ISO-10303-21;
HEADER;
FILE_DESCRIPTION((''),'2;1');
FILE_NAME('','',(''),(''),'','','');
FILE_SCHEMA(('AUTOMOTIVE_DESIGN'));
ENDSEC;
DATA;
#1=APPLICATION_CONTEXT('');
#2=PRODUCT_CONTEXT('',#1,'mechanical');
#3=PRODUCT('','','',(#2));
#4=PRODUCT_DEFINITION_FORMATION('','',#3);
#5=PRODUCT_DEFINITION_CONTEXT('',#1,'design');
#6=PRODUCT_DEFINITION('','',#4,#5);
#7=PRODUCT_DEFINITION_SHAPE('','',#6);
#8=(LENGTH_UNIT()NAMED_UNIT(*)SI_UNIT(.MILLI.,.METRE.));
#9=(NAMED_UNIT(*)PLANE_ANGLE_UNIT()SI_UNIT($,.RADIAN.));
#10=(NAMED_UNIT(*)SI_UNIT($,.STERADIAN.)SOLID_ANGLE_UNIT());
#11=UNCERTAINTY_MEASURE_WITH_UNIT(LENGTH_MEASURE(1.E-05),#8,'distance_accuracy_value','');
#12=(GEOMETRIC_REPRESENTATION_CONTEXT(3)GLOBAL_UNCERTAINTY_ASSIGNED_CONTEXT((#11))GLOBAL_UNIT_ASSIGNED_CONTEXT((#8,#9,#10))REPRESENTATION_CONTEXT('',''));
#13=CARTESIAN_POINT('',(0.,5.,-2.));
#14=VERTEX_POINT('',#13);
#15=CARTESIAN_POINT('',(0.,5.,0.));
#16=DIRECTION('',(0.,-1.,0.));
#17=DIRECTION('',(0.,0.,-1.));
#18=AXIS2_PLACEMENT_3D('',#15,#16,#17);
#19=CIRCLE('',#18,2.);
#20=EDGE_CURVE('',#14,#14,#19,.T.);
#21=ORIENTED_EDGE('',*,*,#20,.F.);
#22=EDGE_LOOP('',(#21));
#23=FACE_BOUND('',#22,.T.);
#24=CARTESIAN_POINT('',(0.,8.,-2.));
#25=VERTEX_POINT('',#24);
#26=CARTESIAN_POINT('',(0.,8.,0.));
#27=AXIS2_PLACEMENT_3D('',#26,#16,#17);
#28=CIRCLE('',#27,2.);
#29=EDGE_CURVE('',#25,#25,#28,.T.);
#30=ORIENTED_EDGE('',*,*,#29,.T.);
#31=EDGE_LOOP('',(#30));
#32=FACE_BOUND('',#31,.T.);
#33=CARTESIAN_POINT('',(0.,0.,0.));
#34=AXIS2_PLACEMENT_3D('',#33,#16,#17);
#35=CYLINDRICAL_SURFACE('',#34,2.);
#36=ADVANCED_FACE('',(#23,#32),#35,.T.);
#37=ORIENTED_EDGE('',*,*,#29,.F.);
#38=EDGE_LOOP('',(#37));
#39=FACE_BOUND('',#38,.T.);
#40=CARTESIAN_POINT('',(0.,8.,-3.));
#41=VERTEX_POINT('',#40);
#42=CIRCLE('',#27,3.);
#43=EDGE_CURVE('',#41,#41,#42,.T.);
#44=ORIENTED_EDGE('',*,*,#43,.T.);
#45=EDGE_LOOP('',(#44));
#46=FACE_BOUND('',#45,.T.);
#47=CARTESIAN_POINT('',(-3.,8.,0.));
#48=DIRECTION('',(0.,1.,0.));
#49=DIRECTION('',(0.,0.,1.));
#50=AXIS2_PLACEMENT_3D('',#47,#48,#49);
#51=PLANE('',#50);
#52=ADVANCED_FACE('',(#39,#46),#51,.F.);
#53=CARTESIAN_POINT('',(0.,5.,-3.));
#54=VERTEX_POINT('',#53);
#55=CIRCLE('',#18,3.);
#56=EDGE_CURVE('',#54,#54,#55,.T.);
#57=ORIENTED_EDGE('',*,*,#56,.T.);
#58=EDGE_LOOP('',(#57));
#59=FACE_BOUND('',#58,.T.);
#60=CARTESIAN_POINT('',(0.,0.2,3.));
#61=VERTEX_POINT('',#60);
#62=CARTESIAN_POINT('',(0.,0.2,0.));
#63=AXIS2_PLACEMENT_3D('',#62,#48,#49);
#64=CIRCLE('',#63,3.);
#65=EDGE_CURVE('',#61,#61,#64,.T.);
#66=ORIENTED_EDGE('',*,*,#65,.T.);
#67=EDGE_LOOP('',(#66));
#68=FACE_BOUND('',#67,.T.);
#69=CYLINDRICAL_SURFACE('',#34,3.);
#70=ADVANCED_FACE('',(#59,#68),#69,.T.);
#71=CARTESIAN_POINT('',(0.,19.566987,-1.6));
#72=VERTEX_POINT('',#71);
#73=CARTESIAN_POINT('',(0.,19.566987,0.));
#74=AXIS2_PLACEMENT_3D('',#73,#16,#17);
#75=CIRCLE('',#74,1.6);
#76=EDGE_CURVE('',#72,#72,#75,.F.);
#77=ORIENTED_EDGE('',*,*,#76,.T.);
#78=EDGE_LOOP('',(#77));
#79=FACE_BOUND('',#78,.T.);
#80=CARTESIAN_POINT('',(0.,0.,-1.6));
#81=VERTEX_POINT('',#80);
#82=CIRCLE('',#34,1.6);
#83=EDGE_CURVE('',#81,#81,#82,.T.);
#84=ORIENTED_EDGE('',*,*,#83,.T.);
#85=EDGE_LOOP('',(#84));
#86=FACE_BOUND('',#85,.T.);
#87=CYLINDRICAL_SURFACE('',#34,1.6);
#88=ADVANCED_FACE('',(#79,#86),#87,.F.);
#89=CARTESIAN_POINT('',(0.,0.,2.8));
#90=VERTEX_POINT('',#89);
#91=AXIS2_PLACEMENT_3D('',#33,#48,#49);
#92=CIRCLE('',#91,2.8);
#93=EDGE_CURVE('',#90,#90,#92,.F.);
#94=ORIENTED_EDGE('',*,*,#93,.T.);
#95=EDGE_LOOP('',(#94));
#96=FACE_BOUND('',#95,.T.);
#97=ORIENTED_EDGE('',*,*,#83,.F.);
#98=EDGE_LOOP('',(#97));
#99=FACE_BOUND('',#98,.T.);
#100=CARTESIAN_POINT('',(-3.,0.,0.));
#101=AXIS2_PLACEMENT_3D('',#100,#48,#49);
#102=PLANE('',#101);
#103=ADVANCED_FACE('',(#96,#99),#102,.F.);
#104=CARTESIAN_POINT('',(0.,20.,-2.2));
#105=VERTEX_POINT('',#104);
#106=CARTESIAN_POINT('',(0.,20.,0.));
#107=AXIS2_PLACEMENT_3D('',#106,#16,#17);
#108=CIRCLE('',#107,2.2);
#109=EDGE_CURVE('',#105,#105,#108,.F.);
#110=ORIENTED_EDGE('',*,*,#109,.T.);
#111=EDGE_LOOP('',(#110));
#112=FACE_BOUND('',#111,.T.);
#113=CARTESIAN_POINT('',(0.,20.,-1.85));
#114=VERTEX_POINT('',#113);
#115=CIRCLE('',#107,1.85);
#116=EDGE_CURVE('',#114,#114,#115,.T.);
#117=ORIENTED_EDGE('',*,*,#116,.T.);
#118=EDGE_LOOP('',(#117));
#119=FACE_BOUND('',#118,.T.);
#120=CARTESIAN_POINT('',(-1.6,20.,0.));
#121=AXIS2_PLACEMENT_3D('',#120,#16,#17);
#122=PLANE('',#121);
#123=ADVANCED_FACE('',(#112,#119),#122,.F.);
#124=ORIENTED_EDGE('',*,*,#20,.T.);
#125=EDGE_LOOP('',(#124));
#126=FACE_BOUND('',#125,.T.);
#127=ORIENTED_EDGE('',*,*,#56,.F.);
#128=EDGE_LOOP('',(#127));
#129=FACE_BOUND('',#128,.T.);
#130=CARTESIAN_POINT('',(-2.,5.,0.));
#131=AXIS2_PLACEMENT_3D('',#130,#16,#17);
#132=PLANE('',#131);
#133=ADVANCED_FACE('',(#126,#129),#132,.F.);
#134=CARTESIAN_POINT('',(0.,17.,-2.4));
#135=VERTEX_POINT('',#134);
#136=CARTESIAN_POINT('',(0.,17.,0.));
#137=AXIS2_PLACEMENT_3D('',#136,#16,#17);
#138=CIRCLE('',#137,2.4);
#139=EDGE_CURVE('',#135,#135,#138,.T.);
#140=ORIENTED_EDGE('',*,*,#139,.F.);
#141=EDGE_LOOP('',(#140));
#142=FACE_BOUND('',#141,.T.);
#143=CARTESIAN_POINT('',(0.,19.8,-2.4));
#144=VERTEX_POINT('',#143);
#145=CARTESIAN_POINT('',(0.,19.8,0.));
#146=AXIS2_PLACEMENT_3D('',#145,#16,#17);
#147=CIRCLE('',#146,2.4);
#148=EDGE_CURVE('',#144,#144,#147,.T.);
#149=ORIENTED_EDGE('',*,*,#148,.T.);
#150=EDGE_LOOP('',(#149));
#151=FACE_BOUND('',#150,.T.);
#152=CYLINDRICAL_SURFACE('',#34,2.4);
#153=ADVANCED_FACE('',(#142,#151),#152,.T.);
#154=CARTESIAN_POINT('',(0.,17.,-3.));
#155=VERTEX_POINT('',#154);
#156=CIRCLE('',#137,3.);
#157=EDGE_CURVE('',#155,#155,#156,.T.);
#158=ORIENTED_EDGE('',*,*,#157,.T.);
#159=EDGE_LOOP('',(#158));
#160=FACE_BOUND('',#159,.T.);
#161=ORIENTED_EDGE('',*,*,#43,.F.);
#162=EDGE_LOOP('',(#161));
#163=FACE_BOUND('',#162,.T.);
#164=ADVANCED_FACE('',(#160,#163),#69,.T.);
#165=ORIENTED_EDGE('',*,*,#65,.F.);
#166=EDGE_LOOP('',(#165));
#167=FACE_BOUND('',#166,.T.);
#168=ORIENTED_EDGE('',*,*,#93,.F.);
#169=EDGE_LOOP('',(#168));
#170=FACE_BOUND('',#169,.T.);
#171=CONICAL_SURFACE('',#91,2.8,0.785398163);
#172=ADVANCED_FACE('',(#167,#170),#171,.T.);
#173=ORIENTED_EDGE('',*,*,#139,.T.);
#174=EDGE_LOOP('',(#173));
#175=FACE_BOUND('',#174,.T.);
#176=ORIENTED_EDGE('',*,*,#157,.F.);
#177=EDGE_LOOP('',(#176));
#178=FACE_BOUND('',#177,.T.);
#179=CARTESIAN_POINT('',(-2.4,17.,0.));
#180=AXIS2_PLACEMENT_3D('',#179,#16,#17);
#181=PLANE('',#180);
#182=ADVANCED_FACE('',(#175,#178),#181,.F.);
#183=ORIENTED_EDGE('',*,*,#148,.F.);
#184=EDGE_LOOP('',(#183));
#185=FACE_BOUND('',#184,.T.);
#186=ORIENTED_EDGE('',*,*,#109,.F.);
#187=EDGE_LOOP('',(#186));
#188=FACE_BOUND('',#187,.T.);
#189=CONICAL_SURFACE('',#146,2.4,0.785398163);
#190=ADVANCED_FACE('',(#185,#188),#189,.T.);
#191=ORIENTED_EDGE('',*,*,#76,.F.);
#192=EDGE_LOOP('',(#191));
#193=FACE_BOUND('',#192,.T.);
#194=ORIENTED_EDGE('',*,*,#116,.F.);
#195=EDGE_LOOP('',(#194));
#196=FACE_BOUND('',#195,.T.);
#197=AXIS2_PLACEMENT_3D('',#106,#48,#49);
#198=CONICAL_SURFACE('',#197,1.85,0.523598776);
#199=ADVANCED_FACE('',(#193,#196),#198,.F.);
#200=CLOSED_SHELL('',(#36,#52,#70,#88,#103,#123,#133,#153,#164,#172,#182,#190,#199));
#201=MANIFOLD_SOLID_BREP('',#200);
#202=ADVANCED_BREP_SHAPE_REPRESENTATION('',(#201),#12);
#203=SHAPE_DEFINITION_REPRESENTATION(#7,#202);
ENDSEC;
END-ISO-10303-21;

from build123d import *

# Parameters (mm, degrees)
CHAFL_N4_SIZE  = 0.2
CHAFL_N5_SIZE  = 0.25
CHAFL_N5_SIZE2 = 0.433012702


with BuildPart() as part:
    # Croquis3 → Revolución1 (revolve)
    with BuildSketch(Plane.XY):
        Polygon((-1.6, 0), (-1.6, 20), (-2.4, 20), (-2.4, 17), (-3, 17), (-3, 8), (-2, 8), (-2, 5), (-3, 5), (-3, 0), align=None)
    revolve(axis=Axis((0, 0, 0), (0, 1, 0)))

    # Chaflán4
    chafl_n4_edges = [part.edges().sort_by_distance(p)[0] for p in [
        (2.4, 20, 0),
        (3, 0, 0),
    ]]
    chamfer(chafl_n4_edges, length=CHAFL_N4_SIZE)

    # Chaflán5
    chafl_n5_edges = [part.edges().sort_by_distance(p)[0] for p in [
        (1.6, 20, 0),
    ]]
    chafl_n5_side = [part.faces().sort_by_distance(p)[0] for p in [
        (2.137774603, 20, 0),
    ]]
    chamfer(chafl_n5_edges, length=CHAFL_N5_SIZE, length2=CHAFL_N5_SIZE2, reference=chafl_n5_side[0])


solid = part.part
